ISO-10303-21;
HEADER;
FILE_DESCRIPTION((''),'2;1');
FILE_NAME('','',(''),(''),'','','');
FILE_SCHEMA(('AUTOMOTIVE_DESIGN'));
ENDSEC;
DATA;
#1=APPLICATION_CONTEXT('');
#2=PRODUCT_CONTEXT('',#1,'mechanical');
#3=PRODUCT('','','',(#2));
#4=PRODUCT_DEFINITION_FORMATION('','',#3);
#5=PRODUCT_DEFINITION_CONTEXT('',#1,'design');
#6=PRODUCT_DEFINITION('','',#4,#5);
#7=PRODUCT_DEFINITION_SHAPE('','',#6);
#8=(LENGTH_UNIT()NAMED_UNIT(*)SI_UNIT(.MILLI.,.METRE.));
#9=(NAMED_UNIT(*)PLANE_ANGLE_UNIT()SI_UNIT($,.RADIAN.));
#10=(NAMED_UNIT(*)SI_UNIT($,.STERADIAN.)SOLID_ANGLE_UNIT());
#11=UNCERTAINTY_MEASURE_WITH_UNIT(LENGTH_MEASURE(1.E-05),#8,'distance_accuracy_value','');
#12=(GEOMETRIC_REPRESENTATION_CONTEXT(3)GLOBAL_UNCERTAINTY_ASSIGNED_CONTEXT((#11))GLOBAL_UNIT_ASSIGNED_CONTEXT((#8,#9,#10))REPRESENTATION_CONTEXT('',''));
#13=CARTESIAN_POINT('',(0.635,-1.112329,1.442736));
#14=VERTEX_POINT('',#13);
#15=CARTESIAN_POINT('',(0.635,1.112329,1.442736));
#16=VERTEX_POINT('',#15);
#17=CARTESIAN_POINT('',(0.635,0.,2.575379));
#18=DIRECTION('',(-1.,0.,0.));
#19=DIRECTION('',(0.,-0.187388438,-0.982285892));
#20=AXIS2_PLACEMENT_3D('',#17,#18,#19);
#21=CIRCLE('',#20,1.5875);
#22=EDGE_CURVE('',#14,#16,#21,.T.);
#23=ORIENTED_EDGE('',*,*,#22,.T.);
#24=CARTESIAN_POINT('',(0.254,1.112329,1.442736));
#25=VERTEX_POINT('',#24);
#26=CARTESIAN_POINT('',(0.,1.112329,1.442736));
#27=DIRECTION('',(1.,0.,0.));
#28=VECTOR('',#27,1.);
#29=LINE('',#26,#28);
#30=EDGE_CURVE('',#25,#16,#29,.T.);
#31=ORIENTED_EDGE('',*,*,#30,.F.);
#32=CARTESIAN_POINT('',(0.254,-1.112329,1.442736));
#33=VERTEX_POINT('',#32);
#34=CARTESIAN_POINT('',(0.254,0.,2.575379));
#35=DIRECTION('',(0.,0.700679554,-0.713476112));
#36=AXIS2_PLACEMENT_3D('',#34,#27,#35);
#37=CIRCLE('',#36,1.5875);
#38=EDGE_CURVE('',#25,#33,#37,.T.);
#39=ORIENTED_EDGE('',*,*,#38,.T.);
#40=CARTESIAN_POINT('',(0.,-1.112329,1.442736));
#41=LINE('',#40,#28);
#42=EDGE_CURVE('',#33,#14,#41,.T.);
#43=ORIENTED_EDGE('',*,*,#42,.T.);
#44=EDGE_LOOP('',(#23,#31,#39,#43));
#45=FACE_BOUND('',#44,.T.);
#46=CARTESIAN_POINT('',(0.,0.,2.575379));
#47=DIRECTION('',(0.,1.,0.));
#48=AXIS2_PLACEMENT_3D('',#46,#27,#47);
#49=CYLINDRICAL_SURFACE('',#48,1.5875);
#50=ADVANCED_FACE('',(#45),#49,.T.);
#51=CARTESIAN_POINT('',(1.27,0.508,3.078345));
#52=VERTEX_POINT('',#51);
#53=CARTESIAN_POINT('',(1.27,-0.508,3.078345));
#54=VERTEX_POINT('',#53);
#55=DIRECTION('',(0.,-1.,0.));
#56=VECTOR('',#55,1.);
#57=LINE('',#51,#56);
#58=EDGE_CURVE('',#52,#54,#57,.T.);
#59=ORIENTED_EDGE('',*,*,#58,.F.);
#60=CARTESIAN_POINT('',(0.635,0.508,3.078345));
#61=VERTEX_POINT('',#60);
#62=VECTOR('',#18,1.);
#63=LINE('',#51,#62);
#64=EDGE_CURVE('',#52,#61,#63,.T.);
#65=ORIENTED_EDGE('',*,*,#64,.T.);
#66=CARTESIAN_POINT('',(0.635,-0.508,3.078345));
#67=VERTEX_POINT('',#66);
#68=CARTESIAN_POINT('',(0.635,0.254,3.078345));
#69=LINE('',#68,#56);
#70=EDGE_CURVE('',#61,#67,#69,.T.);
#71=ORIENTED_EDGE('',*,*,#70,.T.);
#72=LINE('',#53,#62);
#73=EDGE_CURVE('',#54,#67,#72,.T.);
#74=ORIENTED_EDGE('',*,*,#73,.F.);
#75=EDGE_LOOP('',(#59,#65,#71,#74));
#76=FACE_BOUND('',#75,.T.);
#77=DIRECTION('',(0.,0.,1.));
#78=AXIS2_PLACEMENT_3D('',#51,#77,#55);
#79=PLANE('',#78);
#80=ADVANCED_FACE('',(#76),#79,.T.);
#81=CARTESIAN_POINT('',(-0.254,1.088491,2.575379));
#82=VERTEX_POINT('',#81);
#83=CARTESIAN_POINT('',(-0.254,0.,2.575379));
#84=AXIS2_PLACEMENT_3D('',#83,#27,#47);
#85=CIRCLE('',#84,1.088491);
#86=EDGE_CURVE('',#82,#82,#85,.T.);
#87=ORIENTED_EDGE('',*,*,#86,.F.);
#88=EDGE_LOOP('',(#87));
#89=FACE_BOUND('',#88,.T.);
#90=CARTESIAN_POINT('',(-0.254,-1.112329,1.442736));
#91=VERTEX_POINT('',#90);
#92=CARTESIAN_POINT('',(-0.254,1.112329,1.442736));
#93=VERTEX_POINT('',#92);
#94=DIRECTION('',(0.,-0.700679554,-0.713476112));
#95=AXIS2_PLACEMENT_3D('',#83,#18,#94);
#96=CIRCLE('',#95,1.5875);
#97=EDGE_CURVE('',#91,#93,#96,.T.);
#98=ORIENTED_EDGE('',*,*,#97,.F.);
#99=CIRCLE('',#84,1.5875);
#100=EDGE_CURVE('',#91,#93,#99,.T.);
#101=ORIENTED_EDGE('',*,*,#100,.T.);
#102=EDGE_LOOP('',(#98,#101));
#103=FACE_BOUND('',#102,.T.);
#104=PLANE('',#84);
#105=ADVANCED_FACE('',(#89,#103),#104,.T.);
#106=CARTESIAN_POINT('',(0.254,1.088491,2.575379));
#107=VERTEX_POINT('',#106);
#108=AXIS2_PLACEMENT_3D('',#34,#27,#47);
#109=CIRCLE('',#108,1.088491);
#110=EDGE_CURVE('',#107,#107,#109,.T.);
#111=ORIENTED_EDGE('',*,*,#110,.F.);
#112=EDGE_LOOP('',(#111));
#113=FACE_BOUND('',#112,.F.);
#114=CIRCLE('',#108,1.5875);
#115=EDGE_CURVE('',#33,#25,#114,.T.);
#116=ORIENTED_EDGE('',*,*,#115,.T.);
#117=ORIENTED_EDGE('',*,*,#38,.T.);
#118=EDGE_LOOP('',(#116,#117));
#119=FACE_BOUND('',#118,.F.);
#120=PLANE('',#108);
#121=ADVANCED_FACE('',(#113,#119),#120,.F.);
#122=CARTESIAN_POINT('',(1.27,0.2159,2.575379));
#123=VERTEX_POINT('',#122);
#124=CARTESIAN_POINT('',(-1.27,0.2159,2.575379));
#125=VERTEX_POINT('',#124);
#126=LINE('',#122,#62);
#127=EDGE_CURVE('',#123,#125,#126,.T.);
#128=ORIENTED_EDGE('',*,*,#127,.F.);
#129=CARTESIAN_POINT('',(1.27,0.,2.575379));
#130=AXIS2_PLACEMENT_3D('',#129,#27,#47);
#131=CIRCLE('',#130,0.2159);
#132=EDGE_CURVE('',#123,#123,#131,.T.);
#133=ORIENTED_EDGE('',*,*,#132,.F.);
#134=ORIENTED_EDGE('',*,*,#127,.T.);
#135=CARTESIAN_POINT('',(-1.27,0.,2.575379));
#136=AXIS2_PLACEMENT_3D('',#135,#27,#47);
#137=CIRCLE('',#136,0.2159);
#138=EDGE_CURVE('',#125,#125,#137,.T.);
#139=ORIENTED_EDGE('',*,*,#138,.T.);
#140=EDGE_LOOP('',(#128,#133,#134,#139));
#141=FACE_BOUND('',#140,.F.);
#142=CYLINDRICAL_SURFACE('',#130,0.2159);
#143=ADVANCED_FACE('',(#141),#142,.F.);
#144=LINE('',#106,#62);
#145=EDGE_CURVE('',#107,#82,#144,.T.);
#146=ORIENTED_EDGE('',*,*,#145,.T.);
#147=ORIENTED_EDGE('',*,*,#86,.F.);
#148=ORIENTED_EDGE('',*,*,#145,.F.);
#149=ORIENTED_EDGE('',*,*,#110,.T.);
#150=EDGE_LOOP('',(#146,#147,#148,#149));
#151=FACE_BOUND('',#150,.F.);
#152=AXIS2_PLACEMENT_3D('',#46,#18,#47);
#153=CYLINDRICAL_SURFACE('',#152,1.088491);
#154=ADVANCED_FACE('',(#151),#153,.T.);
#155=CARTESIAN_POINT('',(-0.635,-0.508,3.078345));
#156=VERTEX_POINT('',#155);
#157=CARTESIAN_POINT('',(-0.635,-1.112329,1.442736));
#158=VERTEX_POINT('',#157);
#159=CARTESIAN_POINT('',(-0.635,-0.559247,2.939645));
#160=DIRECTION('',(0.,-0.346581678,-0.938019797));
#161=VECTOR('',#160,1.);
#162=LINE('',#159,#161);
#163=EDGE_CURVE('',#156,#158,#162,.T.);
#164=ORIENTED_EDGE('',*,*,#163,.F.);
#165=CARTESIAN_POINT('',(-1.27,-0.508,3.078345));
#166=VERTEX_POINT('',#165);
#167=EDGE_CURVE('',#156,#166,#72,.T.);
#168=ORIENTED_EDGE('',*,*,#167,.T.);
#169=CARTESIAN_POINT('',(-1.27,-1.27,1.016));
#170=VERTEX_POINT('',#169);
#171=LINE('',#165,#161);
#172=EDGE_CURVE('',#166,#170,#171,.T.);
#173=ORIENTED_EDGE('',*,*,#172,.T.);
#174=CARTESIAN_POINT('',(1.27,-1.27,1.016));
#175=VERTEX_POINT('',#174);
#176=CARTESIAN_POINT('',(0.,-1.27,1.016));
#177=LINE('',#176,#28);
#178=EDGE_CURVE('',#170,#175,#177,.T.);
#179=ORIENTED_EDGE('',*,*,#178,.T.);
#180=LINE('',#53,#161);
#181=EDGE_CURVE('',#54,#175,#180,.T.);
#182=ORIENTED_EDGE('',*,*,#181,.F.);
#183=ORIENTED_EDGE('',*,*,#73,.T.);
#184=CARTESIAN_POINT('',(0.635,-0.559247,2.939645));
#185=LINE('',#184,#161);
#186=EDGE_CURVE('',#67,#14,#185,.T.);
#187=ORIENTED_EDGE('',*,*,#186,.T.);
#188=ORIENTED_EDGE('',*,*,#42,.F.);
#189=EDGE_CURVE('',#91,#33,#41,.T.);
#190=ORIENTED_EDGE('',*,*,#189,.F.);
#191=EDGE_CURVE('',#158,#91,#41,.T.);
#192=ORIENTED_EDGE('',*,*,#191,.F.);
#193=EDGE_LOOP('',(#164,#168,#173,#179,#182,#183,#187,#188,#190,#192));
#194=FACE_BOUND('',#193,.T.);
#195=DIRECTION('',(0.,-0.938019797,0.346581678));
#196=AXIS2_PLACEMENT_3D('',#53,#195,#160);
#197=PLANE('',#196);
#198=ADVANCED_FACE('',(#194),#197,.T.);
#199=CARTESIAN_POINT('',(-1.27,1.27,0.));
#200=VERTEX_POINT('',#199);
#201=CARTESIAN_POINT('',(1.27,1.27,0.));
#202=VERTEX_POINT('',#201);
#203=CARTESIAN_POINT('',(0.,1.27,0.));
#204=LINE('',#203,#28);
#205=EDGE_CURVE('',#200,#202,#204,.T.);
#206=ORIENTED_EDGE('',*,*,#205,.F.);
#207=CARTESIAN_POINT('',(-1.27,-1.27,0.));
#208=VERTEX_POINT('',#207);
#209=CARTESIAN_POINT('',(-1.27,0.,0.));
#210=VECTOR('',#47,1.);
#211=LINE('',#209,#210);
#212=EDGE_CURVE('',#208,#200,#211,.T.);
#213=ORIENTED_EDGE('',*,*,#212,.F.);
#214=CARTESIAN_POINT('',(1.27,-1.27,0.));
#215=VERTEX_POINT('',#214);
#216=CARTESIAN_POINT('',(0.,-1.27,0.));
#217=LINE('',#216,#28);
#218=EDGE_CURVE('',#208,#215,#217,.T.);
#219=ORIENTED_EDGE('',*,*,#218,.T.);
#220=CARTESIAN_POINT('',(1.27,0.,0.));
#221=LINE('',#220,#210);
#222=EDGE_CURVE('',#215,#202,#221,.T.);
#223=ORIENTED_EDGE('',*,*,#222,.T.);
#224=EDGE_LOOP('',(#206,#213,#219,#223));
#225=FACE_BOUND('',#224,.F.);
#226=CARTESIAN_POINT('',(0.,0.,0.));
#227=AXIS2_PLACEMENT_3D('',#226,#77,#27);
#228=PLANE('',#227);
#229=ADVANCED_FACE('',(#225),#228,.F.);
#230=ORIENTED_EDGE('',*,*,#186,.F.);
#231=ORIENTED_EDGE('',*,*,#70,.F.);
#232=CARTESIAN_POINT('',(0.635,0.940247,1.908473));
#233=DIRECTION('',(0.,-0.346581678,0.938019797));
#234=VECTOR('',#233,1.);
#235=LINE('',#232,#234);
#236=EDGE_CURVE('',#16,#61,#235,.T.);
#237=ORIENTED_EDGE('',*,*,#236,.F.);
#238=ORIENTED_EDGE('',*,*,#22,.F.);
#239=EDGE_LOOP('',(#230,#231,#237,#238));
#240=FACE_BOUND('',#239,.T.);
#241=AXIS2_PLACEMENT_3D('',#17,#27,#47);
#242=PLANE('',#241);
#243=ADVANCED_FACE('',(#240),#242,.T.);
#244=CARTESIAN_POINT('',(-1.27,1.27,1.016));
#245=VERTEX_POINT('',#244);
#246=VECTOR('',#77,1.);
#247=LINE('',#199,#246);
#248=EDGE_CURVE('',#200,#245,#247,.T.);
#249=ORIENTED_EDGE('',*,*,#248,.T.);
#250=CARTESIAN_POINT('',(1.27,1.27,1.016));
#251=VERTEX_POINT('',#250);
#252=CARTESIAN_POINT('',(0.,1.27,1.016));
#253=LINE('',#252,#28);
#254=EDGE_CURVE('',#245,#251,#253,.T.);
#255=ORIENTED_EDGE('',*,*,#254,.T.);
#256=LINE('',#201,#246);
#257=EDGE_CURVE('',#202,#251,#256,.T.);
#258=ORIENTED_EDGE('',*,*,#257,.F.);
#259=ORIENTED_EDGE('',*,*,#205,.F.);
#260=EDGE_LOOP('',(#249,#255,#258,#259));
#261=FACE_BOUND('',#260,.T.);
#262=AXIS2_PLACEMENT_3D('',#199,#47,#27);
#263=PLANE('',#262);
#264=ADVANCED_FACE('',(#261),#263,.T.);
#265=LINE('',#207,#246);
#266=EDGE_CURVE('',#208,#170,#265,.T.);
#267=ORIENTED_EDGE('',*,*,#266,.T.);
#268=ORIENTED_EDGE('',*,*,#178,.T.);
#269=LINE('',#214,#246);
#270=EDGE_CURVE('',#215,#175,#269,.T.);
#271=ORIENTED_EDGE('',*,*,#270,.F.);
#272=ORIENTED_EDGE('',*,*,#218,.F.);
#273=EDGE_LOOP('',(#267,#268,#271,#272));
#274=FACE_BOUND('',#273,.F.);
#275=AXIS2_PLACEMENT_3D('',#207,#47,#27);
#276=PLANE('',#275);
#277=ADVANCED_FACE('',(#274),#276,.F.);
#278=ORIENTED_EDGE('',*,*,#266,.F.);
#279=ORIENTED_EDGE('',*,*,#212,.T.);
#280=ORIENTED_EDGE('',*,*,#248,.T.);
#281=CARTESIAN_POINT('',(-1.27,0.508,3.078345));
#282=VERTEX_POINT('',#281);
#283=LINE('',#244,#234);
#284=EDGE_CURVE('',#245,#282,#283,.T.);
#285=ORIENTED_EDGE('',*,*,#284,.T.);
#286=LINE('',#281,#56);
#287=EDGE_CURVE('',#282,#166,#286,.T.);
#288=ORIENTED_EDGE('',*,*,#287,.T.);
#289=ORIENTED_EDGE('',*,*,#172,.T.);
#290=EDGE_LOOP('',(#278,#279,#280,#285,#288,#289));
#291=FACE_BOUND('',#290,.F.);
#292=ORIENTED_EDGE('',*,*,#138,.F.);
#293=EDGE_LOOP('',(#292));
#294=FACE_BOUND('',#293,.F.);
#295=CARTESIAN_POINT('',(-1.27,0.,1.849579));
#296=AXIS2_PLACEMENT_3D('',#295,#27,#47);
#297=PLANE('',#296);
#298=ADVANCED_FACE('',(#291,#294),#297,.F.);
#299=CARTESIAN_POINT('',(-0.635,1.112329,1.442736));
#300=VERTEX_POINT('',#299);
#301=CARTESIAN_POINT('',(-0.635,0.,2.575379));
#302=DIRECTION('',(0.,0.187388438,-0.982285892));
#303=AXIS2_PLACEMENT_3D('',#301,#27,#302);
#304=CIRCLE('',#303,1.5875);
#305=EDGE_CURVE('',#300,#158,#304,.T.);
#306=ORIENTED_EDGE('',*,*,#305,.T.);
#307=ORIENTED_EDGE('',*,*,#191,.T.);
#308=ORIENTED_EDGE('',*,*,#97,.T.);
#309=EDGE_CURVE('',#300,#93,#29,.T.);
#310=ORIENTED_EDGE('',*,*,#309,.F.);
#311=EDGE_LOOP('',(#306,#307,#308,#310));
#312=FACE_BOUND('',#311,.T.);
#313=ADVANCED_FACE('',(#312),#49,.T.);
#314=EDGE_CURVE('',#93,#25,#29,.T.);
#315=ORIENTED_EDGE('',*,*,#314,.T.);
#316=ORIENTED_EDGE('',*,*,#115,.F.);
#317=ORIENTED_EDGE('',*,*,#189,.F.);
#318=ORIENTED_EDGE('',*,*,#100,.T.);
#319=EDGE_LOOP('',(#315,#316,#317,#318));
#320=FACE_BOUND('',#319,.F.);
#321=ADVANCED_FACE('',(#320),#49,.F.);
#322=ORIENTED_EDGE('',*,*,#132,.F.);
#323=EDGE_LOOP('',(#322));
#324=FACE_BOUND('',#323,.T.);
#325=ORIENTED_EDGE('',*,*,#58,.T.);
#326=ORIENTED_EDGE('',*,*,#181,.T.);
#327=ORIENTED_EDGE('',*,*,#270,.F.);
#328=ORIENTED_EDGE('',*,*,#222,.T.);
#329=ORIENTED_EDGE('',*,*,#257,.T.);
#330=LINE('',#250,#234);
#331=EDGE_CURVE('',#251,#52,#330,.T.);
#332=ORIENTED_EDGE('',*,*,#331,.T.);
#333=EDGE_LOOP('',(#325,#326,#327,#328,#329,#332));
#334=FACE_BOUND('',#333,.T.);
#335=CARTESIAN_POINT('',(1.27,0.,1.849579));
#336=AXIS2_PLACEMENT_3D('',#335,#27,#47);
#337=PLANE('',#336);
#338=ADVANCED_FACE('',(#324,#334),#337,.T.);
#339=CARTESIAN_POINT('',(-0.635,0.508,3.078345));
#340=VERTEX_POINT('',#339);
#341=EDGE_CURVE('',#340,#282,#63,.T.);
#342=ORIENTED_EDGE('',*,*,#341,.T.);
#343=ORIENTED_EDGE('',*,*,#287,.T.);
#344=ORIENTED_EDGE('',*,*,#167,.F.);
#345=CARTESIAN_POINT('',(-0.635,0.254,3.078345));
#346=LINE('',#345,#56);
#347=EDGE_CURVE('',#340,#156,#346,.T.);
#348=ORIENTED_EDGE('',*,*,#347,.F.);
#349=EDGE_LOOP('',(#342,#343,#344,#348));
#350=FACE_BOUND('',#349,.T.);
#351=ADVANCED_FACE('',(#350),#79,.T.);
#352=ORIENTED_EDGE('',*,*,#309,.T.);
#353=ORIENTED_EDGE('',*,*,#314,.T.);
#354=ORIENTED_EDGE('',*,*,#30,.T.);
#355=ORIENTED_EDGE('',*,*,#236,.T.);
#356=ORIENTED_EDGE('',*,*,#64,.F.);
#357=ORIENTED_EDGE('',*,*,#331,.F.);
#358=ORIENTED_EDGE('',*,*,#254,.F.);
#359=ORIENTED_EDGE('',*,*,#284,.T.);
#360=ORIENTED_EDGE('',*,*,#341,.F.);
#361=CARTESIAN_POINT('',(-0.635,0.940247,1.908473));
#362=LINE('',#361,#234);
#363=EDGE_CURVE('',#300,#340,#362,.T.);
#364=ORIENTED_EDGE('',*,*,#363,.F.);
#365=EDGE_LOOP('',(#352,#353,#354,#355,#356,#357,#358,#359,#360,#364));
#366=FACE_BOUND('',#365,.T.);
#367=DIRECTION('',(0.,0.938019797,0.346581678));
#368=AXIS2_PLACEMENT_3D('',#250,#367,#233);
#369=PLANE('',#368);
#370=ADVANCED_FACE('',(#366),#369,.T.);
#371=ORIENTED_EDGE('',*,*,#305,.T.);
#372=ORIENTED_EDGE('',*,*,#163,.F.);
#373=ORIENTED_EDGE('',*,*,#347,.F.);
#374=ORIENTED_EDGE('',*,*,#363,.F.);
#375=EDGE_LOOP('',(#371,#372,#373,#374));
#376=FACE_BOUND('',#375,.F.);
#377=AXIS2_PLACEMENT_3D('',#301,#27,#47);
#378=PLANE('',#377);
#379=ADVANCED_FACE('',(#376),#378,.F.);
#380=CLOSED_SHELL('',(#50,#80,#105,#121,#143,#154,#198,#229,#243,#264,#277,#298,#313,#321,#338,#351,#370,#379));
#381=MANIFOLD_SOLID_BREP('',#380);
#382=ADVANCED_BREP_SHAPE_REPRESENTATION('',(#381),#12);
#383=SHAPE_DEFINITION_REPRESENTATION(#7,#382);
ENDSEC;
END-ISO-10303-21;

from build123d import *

# Parameters (mm, degrees)
F0_W     = 2.54
F0_H     = 2.54
F1_DEPTH = 1.016
F2_R     = 1.5875
F3_DEPTH = 0.635
F5_DEPTH = 2.54
F6_R     = 1.5875
F6_R_2   = 1.0884910838
F7_DEPTH = 0.254
F8_R     = 0.2159
F9_DEPTH = 25.4


with BuildPart() as f1:
    # F0 (on Top) → F1 (new body)
    with BuildSketch(Plane.XY):
        Rectangle(F0_W, F0_H)
    extrude(amount=F1_DEPTH)

    # F2 (on Right) → F3 (join, symmetric)
    with BuildSketch(Plane.YZ):
        with Locations((0, 2.5753788533)):
            Circle(F2_R)
    extrude(amount=F3_DEPTH, both=True)

    # F4 (on face) → F5 (join)
    with BuildSketch(Plane.YZ.offset(1.27)):
        Polygon((-0.508, 3.0783452729), (-1.27, 1.016), (1.27, 1.016), (0.508, 3.0783452729), align=None)
    extrude(amount=-F5_DEPTH)

    # F6 (on Right) → F7 (cut, symmetric)
    with BuildSketch(Plane.YZ):
        with Locations((0, 2.5753788533)):
            Circle(F6_R)
        with Locations((0, 2.5753788533)):
            Circle(F6_R_2, mode=Mode.SUBTRACT)
    extrude(amount=F7_DEPTH, both=True, mode=Mode.SUBTRACT)

    # F8 (on face) → F9 (cut)
    with BuildSketch(Plane.YZ.offset(1.27)):
        with Locations((0, 2.5753788533)):
            Circle(F8_R)
    extrude(amount=-F9_DEPTH, mode=Mode.SUBTRACT)


solid = f1.part
